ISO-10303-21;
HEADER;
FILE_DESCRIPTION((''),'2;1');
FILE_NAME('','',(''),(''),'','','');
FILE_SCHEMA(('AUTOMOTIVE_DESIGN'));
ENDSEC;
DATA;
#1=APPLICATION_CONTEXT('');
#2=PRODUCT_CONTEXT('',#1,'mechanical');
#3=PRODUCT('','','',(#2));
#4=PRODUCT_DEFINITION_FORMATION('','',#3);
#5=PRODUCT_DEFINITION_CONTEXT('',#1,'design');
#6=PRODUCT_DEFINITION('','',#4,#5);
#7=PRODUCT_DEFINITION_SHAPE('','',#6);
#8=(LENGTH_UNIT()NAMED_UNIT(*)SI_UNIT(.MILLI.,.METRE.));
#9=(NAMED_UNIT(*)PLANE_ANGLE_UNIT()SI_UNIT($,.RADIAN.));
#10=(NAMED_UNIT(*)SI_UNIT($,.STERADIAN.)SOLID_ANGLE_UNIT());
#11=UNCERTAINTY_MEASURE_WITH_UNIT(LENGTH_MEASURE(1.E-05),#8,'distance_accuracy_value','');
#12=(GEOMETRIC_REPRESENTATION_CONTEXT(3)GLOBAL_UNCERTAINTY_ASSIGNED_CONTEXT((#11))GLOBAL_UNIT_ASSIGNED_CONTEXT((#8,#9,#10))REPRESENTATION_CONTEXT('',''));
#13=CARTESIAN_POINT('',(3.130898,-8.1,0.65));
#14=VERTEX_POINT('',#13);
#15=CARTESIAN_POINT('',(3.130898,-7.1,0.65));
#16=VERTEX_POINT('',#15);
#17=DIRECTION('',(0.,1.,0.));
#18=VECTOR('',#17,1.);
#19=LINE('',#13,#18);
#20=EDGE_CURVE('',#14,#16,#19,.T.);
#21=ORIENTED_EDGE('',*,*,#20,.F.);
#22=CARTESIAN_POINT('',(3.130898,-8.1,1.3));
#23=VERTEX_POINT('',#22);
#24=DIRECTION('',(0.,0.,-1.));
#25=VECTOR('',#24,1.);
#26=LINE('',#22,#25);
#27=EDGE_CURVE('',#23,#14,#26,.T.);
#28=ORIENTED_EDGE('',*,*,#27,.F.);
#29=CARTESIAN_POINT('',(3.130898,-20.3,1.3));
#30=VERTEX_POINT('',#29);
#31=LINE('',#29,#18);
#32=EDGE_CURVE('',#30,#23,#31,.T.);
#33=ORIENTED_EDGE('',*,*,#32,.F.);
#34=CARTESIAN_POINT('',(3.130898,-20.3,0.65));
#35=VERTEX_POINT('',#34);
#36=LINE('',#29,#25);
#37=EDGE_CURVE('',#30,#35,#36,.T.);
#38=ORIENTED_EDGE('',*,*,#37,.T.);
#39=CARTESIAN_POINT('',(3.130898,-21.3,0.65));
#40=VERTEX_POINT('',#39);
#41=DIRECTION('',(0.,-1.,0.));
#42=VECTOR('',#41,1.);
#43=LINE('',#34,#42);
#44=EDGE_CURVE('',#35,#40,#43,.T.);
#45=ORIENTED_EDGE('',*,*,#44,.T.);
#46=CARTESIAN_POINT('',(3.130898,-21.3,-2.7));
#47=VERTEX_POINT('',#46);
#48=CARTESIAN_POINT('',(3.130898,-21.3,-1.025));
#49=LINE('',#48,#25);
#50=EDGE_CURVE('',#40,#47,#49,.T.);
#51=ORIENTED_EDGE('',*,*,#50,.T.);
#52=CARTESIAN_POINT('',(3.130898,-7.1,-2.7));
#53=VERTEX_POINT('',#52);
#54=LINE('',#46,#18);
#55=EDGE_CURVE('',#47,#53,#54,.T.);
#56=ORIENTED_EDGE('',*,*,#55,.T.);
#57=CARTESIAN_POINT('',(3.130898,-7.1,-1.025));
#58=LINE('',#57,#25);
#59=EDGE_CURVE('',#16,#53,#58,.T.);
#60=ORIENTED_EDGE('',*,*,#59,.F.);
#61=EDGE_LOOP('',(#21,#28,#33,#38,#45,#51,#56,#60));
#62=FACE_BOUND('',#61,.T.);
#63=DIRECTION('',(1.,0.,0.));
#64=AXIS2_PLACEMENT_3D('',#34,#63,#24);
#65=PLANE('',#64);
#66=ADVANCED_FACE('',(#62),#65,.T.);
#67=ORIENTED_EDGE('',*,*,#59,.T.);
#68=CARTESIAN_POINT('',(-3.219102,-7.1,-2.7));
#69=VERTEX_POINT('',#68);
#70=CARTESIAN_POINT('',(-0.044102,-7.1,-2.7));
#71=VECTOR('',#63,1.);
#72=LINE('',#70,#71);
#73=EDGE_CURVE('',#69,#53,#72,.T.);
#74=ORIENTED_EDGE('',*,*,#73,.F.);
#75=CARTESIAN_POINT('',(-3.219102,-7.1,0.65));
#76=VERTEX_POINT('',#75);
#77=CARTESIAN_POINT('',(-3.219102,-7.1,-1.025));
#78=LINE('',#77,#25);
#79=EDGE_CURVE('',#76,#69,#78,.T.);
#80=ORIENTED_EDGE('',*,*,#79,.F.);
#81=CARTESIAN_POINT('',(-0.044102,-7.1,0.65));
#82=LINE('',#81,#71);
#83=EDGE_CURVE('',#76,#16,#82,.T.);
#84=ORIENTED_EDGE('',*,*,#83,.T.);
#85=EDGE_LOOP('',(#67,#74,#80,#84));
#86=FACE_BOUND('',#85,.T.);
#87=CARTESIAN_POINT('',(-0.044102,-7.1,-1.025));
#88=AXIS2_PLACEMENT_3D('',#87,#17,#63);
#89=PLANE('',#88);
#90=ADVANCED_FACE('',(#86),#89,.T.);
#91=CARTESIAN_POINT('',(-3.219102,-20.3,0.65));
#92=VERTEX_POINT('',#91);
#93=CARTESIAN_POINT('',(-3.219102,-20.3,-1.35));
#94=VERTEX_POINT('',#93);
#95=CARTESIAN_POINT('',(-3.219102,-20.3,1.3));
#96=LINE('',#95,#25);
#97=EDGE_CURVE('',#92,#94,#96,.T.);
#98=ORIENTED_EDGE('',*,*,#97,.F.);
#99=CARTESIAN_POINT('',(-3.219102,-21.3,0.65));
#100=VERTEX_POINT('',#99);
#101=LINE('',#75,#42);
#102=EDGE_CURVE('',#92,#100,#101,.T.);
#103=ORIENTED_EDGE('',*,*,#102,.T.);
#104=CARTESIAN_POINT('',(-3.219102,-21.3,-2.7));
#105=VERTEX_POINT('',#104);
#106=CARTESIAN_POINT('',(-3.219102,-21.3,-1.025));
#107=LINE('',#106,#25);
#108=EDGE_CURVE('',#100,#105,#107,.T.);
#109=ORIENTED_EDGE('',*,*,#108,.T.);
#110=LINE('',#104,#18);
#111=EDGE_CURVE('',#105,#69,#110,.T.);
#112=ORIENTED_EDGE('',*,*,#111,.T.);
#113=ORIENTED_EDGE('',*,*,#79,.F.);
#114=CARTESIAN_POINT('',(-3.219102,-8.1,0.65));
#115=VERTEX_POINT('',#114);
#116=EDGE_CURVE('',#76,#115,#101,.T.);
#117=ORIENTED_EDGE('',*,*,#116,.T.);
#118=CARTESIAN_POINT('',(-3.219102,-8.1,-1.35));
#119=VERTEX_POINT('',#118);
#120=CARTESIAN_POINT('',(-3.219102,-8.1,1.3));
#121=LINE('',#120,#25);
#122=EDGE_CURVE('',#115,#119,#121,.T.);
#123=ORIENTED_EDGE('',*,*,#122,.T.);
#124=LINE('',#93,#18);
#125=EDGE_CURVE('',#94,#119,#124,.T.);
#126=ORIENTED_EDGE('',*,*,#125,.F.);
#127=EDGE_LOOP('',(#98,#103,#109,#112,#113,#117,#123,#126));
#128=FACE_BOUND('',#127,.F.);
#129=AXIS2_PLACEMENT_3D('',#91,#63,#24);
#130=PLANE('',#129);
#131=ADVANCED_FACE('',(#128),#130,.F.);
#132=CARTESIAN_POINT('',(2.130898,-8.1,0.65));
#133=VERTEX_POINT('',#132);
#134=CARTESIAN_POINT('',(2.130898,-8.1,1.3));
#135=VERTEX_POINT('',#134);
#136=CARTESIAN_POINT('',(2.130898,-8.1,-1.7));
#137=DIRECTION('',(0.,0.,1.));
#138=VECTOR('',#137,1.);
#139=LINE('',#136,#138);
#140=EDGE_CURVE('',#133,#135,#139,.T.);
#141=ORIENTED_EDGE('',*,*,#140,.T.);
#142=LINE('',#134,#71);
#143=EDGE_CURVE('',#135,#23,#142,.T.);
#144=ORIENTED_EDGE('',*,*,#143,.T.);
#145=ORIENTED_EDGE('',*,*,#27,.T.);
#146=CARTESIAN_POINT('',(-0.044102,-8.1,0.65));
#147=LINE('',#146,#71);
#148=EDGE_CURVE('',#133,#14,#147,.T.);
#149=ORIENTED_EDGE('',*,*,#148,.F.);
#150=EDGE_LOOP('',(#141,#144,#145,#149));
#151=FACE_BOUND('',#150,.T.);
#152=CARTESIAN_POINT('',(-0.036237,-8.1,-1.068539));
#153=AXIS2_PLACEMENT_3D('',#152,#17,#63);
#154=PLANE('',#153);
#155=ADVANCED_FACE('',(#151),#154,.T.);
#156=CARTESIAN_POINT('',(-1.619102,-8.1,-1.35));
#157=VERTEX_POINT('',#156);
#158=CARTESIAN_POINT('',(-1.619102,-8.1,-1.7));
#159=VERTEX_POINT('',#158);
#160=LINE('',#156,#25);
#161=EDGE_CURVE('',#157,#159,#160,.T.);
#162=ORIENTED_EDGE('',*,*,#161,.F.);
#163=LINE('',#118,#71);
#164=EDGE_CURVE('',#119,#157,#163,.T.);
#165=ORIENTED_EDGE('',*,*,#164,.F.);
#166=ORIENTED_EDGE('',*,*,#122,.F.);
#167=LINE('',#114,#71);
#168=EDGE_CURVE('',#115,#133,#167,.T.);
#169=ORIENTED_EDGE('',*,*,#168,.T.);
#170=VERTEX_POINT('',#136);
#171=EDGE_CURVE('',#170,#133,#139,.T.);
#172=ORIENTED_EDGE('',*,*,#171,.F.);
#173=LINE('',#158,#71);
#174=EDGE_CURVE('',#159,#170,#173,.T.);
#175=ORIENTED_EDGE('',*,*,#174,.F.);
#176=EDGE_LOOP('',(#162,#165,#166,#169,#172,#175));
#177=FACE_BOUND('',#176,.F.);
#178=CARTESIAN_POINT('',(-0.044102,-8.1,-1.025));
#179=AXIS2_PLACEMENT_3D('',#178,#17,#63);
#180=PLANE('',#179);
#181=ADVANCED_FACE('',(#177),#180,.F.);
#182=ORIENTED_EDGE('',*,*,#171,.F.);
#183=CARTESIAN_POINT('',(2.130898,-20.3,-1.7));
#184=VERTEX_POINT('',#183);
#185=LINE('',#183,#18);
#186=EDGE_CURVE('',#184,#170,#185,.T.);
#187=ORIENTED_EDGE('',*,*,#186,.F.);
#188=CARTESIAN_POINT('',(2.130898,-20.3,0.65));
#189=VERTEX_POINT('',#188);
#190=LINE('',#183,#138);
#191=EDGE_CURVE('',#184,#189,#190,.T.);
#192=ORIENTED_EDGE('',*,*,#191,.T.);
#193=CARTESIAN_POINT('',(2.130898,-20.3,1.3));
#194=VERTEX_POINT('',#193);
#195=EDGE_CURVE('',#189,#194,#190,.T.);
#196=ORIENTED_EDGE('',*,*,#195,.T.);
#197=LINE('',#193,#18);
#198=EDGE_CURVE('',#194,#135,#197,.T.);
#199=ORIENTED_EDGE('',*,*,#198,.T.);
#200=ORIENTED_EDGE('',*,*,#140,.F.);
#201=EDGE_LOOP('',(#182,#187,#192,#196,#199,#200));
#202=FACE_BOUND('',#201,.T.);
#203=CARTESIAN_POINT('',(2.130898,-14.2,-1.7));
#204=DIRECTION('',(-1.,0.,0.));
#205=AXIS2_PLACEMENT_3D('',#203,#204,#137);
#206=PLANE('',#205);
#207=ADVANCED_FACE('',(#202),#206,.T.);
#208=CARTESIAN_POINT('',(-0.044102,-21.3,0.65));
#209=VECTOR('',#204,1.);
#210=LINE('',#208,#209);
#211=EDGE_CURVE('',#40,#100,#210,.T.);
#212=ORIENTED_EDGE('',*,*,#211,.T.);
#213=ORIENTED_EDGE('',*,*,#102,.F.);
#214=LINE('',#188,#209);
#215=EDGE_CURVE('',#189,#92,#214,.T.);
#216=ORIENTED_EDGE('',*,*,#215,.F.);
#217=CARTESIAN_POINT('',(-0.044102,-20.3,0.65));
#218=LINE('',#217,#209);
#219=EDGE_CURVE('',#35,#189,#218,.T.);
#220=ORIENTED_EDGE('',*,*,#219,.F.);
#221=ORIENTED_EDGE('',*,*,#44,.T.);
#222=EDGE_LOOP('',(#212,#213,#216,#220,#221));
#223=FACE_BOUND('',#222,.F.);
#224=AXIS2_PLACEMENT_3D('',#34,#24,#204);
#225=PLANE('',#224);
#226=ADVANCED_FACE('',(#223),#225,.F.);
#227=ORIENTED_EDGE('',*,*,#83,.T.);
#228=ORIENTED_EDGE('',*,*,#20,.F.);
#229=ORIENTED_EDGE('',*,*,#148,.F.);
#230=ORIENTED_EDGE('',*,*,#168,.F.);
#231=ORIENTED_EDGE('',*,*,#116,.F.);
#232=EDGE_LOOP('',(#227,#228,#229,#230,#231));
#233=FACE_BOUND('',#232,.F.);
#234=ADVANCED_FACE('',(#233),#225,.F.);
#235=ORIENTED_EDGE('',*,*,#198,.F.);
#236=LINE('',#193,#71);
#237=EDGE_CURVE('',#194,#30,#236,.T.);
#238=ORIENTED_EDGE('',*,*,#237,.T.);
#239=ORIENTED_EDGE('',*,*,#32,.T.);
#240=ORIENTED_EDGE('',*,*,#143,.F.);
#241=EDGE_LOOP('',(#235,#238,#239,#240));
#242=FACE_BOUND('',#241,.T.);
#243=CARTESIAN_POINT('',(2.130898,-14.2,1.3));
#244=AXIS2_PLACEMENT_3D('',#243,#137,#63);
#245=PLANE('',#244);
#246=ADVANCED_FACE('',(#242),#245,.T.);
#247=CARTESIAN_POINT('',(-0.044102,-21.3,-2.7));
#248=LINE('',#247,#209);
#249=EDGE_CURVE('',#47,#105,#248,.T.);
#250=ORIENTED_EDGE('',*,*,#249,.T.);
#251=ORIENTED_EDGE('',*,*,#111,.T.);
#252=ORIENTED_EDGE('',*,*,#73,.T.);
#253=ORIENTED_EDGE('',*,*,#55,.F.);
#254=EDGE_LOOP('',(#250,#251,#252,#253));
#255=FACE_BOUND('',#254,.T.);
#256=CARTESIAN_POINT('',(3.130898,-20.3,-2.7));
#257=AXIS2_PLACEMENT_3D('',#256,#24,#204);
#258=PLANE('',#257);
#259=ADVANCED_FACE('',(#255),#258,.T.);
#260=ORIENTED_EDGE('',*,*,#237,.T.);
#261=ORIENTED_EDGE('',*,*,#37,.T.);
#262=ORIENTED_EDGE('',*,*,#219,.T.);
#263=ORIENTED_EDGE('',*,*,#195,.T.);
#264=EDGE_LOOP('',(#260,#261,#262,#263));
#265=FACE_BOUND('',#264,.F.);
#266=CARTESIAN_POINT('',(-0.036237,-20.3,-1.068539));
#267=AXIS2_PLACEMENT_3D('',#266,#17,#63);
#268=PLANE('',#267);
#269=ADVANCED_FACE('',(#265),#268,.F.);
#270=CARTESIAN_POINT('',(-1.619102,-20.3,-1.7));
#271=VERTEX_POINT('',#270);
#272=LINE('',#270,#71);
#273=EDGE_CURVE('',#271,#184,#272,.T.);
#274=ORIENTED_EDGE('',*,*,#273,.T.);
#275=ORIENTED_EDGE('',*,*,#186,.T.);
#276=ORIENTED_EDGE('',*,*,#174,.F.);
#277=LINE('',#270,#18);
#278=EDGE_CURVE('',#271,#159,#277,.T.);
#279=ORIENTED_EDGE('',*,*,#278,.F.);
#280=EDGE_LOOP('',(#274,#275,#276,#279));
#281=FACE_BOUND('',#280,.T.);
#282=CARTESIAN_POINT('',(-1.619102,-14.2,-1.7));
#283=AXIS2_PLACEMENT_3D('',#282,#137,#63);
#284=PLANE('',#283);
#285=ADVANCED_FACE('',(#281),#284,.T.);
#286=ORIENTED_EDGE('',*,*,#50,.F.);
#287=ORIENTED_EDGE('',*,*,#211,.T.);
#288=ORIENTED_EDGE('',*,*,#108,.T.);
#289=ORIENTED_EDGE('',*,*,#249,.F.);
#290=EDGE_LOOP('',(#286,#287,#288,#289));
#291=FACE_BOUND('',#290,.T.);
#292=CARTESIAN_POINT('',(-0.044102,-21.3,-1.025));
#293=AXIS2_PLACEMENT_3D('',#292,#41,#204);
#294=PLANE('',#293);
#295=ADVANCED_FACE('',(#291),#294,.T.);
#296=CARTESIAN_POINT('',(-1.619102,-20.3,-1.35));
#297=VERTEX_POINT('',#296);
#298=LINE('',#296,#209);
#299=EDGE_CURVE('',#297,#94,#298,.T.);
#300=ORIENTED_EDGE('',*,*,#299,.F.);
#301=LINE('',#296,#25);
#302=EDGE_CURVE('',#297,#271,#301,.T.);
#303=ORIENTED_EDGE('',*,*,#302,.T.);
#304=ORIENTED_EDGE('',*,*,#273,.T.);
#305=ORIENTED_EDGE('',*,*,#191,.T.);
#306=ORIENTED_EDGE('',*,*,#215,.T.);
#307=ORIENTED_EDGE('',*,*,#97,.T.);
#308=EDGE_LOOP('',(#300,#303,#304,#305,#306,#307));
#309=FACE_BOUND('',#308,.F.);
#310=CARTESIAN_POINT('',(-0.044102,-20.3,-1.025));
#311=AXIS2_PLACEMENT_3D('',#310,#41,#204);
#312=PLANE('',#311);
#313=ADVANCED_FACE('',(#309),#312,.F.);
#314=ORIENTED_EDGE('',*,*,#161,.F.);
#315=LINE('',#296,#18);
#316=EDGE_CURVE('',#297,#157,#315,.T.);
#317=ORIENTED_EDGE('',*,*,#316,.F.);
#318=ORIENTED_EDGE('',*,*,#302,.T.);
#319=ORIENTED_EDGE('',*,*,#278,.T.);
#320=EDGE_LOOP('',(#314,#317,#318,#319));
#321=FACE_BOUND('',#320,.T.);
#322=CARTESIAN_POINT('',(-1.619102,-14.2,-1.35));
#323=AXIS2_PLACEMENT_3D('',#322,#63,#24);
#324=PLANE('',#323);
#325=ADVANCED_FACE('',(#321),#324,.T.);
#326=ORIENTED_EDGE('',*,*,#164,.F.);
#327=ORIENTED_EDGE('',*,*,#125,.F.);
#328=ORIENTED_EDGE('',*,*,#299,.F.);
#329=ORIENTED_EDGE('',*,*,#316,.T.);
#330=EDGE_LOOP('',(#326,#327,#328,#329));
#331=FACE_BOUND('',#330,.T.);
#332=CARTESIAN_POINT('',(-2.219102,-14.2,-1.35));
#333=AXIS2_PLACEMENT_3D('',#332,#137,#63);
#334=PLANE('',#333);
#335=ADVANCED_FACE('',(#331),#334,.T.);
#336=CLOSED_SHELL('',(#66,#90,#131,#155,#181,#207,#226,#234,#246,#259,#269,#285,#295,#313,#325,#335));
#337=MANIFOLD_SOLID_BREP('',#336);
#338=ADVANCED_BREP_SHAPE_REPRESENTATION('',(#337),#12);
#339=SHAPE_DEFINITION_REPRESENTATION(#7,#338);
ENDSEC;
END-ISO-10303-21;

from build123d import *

# Parameters (mm, degrees)
F1_DEPTH = 6.1
F2_DEPTH = 0.65
F3_W     = 6.35
F3_H     = 3.35
F4_DEPTH = 1
F5_W     = 6.35
F5_H     = 3.35
F6_DEPTH = 1
F7_ANGLE = 180
F8_DEPTH = 1


with BuildPart() as f1:
    # F0 (on Front) → F1 (new body, symmetric)
    with BuildSketch(Plane.XZ):
        Polygon((-3.2191018649, 0), (-2.2191018649, 0), (-2.2191018649, 2.65), (-1.6191018649, 2.65), (-1.6191018649, 3), (2.1308981351, 3), (2.1308981351, 0), (3.1308981351, 0), (3.1308981351, 4), (-3.2191018649, 4), align=None)
    extrude(amount=F1_DEPTH, both=True)

    # F2 (cut): a face of the model
    f2_faces = [f1.faces().sort_by_distance(p)[0] for p in [
        (-2.7191018649, 0, 0),
    ]]
    extrude(f2_faces, amount=-F2_DEPTH, mode=Mode.SUBTRACT)

    # F3 (on face) → F4 (join)
    with BuildSketch(Plane.XZ.offset(6.1)):
        with Locations((-0.0441018649, 2.325)):
            Rectangle(F3_W, F3_H)
    extrude(amount=F4_DEPTH)

    # F5 (on face) → F6 (join)
    with BuildSketch(Plane(origin=(0, 6.1, 0), x_dir=(-1, 0, 0), z_dir=(0, 1, 0))):
        with Locations((0.0441018649, 2.325)):
            Rectangle(F5_W, F5_H)
    extrude(amount=F6_DEPTH)


with BuildPart() as f1_1:
    # F7: moved
    add(f1.part.rotate(Axis((-0.0441018649, -7.1, 0.65), (1, 0, 0)), F7_ANGLE))

    # F8 (cut, through all): a face of the model
    f8_faces = [f1_1.faces().sort_by_distance(p)[0] for p in [
        (-2.2191018649, -14.2, -0.35),
    ]]
    extrude(f8_faces, amount=-F8_DEPTH, mode=Mode.SUBTRACT)


solid = f1_1.part
